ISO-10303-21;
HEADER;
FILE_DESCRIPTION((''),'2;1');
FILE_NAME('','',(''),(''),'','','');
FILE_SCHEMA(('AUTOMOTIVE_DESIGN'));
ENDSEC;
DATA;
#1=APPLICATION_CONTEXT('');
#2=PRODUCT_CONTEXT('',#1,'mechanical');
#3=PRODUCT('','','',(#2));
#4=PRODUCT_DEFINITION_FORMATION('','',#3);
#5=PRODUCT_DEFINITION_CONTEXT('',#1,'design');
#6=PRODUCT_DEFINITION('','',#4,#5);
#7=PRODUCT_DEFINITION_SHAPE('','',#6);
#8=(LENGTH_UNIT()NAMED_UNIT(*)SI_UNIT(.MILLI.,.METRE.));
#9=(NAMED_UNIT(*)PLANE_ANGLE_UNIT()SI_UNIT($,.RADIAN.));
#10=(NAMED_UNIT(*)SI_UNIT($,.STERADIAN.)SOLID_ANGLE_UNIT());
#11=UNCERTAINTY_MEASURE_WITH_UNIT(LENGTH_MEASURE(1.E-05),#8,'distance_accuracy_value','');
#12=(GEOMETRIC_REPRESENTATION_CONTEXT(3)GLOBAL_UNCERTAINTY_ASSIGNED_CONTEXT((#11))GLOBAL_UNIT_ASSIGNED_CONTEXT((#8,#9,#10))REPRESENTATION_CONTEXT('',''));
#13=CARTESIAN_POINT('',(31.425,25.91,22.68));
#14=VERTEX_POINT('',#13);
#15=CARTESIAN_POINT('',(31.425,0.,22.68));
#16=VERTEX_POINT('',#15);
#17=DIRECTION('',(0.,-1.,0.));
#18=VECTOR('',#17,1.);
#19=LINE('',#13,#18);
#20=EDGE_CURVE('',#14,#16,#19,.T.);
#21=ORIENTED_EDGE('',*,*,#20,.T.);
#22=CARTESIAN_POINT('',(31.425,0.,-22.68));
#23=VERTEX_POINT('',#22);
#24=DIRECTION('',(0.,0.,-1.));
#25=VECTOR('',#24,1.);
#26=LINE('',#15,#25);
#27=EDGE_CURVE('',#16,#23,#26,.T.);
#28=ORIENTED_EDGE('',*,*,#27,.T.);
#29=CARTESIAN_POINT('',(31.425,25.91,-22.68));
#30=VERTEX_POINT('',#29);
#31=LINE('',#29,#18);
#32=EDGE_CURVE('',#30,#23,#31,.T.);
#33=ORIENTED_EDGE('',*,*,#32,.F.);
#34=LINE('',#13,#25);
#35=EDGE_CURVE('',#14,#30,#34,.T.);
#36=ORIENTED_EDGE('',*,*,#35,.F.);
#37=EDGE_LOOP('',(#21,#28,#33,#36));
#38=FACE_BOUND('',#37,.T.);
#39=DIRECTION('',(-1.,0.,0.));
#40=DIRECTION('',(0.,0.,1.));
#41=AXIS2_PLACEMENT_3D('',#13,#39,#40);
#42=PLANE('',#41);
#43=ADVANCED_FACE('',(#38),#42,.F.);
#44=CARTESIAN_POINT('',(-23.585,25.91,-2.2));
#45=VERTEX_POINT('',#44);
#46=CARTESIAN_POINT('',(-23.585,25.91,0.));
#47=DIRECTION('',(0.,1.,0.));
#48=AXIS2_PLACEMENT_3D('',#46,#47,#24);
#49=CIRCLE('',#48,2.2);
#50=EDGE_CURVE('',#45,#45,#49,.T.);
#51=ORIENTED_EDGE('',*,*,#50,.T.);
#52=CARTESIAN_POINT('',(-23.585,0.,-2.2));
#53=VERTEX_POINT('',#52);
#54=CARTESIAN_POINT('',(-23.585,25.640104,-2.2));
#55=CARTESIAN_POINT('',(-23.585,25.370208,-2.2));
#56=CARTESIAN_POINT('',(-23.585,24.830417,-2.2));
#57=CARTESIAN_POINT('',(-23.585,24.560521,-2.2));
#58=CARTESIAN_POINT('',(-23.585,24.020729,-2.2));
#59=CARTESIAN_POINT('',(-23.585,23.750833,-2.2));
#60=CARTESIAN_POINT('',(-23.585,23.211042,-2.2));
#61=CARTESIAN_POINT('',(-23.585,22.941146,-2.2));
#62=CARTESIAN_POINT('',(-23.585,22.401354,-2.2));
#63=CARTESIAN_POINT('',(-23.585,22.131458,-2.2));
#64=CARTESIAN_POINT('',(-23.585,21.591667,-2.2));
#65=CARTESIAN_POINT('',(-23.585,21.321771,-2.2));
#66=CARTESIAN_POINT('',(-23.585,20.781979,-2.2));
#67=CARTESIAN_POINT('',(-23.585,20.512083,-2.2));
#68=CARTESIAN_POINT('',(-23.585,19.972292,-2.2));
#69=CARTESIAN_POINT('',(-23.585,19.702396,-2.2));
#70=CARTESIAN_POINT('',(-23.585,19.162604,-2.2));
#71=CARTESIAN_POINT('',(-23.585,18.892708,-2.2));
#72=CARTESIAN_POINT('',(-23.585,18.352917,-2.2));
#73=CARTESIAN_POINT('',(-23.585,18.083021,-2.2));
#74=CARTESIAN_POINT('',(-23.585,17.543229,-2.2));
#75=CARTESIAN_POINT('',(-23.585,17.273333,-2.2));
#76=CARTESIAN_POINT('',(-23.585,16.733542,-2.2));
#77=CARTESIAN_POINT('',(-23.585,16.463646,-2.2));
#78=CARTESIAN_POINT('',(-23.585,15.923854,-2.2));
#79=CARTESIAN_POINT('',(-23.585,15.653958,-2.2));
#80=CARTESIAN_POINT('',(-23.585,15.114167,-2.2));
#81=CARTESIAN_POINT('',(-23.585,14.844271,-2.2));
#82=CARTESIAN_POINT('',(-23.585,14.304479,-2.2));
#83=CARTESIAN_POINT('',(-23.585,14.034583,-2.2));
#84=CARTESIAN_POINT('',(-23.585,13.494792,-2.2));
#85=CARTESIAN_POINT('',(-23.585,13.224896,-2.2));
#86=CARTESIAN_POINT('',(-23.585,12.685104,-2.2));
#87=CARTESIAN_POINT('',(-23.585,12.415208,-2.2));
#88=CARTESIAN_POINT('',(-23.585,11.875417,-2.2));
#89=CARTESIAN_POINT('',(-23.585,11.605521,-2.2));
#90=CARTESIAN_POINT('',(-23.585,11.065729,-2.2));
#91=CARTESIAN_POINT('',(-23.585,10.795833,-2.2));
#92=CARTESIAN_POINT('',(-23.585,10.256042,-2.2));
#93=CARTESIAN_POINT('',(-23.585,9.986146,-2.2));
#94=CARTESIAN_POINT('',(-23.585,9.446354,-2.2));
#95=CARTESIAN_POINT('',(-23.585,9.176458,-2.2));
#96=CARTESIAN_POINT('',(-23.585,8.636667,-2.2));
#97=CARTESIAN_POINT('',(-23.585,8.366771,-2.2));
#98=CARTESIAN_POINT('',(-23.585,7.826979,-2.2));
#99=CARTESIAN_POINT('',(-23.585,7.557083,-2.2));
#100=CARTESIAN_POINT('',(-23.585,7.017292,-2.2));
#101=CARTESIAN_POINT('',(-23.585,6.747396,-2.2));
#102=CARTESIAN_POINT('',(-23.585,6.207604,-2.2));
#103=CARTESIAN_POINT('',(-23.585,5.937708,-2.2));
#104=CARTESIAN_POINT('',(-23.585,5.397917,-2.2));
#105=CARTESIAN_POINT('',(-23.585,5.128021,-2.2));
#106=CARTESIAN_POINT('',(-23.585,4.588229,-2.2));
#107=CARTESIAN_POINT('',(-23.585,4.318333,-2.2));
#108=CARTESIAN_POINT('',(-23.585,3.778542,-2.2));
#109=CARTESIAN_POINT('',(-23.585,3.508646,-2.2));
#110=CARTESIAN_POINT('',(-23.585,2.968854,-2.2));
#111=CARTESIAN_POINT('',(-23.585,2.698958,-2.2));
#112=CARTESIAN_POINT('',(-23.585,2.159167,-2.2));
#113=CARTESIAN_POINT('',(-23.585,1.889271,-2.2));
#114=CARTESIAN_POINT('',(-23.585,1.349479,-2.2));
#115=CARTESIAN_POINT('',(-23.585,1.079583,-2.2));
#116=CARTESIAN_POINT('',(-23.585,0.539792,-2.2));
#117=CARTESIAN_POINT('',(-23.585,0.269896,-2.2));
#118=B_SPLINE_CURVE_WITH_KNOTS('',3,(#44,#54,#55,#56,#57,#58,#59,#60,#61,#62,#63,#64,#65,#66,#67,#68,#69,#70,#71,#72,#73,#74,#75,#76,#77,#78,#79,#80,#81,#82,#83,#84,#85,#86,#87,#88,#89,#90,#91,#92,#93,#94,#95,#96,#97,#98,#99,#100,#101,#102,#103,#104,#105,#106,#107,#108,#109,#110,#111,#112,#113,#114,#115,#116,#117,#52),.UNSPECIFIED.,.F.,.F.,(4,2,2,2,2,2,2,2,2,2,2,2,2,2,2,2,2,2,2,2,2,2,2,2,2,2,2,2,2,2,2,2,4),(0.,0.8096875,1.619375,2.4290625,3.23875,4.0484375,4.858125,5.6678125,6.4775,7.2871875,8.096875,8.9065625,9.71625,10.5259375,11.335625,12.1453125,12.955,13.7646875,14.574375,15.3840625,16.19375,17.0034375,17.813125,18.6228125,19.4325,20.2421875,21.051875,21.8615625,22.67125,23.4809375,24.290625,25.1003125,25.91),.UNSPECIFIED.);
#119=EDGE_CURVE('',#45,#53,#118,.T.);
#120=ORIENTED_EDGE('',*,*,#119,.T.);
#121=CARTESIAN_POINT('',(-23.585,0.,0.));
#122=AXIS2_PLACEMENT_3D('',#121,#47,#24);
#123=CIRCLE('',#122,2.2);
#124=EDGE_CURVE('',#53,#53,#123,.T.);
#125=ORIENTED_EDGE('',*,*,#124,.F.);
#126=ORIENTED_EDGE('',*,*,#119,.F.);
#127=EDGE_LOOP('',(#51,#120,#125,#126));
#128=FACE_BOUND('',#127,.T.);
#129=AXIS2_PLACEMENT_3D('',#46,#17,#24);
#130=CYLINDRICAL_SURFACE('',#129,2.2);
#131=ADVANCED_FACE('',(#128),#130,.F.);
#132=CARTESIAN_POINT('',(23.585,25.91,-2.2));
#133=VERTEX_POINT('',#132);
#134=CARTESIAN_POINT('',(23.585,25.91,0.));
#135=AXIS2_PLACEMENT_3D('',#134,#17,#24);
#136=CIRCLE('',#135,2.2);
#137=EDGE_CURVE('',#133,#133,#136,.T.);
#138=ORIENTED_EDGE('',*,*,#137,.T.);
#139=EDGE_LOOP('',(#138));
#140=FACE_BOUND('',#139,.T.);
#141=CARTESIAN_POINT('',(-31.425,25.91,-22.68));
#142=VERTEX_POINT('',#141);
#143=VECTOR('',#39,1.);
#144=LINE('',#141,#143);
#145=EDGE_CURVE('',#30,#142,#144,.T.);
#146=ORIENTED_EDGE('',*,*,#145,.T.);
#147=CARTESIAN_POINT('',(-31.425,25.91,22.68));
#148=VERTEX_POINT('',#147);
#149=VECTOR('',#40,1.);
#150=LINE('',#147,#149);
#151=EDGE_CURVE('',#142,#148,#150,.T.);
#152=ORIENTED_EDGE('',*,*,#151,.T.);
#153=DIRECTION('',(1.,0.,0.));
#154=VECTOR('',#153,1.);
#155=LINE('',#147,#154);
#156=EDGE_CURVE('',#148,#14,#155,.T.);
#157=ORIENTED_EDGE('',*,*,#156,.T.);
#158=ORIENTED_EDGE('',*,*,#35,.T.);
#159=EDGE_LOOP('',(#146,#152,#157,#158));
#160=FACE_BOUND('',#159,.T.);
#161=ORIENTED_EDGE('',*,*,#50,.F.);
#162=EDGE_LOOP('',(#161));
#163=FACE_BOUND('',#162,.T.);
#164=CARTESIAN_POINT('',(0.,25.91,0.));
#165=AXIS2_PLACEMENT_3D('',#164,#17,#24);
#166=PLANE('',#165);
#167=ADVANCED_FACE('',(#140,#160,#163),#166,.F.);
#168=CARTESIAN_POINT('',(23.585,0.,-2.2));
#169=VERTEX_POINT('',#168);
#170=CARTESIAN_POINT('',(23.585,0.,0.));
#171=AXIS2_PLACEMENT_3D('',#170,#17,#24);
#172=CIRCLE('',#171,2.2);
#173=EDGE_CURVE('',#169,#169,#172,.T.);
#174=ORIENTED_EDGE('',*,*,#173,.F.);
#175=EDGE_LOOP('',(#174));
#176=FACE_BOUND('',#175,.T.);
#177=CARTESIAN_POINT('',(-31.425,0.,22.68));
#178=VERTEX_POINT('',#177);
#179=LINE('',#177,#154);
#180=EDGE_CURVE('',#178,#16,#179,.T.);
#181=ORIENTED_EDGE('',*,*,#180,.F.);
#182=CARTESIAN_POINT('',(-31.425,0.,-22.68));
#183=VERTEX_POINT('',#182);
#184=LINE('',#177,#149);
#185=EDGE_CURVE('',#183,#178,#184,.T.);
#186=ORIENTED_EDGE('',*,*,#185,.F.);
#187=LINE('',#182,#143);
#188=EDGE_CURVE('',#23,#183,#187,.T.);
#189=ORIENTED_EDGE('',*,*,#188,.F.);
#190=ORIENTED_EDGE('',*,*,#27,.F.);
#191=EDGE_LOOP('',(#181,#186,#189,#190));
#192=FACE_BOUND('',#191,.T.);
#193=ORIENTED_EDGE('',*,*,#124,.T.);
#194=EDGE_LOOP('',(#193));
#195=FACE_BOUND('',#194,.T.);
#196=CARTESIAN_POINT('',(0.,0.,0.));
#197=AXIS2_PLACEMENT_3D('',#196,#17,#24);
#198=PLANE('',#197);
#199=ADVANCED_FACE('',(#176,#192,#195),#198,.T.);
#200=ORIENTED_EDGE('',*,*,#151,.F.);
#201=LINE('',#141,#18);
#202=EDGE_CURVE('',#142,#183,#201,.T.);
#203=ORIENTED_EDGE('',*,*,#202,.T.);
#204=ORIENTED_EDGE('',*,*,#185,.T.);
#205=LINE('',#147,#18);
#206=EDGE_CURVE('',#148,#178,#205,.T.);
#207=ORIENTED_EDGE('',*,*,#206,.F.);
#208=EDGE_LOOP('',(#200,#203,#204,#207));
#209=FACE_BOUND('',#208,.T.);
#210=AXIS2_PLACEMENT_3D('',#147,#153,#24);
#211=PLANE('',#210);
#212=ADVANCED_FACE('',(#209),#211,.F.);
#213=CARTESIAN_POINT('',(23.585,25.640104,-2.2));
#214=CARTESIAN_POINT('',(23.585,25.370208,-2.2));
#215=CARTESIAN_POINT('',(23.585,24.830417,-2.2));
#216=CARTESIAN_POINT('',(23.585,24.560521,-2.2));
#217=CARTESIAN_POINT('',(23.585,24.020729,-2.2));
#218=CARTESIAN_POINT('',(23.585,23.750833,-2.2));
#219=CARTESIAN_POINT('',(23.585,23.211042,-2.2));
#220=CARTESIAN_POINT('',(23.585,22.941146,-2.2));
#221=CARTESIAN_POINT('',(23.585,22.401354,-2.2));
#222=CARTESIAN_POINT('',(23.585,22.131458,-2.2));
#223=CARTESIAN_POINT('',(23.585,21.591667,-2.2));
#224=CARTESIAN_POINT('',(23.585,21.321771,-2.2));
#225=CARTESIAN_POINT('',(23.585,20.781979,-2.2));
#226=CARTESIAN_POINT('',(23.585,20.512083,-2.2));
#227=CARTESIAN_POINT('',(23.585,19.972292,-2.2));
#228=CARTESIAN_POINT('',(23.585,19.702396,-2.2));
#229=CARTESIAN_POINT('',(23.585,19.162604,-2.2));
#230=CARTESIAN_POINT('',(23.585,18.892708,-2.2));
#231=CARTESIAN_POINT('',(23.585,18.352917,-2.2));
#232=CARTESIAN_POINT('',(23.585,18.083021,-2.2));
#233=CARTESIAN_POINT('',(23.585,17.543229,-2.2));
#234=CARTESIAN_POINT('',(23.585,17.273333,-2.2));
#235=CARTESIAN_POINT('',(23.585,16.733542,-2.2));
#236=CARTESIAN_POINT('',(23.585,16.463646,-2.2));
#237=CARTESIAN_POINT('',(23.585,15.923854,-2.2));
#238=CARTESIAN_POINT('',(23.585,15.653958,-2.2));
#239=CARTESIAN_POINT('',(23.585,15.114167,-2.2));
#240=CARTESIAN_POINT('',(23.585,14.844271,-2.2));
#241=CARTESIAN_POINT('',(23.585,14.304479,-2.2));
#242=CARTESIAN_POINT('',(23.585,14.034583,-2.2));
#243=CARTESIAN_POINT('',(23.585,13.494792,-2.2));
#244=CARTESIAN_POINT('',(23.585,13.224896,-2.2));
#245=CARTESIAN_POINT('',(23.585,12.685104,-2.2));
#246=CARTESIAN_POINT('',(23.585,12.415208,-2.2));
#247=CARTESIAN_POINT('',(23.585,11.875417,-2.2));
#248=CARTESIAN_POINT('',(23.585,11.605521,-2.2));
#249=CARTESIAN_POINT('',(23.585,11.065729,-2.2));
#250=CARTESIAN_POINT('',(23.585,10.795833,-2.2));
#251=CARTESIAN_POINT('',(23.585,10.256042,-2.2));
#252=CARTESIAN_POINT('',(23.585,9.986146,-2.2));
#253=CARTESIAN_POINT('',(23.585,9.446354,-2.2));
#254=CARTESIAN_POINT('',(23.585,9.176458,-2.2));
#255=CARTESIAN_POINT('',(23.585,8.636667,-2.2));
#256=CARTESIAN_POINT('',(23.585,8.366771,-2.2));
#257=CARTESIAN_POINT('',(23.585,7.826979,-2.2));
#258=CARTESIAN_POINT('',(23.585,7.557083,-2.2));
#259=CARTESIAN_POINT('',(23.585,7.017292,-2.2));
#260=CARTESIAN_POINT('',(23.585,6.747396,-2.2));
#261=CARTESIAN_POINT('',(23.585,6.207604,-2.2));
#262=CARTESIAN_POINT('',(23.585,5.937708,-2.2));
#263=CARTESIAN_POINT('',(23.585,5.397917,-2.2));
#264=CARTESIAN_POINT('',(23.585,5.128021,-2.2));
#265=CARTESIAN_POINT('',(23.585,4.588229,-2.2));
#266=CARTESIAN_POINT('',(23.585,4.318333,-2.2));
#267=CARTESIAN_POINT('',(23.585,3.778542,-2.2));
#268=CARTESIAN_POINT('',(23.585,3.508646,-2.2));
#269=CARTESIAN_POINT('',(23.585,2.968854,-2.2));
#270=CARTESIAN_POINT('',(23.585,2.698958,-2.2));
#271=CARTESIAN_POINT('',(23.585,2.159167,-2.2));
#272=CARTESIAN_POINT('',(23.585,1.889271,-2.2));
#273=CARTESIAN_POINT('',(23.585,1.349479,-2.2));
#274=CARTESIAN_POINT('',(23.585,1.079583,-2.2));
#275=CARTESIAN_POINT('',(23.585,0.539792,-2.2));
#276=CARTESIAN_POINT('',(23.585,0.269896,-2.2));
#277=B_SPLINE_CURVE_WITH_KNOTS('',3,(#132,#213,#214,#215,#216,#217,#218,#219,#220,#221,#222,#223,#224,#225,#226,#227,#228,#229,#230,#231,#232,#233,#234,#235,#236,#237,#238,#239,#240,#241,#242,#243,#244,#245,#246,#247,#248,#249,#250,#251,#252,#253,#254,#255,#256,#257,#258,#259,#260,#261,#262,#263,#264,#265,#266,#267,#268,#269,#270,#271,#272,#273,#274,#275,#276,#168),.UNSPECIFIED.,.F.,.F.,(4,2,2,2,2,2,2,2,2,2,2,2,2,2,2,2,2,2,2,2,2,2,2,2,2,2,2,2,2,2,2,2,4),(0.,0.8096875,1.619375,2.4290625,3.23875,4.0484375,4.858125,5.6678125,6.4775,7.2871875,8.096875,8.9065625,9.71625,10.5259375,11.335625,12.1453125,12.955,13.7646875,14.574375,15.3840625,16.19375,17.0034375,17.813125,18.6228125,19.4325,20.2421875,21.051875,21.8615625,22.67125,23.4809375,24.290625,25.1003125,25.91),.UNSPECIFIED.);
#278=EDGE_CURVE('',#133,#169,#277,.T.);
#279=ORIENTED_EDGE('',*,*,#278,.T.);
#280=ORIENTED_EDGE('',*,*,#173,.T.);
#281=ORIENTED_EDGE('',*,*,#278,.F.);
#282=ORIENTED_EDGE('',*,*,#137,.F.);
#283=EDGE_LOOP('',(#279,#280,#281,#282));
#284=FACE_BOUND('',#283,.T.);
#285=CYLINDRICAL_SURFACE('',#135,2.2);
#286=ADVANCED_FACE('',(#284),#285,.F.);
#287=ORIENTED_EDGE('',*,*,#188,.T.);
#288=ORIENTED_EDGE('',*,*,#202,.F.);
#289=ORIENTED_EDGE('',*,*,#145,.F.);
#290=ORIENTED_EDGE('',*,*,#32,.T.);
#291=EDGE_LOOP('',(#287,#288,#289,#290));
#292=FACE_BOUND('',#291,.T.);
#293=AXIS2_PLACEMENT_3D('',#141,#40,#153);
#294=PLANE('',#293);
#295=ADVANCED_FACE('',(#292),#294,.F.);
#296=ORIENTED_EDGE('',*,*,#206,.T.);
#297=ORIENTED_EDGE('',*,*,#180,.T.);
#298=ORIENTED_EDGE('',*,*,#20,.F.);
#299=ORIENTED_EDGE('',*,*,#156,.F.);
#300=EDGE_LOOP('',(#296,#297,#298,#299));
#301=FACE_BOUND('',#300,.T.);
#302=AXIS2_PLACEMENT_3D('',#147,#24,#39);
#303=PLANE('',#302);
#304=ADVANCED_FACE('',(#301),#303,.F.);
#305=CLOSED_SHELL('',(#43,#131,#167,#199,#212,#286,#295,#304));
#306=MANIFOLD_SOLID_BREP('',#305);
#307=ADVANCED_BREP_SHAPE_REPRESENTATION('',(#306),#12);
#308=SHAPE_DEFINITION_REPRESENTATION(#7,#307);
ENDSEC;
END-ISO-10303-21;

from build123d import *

# Parameters (mm, degrees)
SKETCH1_W           = 62.85
SKETCH1_H           = 45.36
BOSS_EXTRUDE1_DEPTH = 25.91
SKETCH2_R           = 2.2
CUT_EXTRUDE1_DEPTH  = 25.91


with BuildPart() as part:
    # Sketch1 → Boss-Extrude1 (new body)
    with BuildSketch(Plane(origin=(0, 0, 0), x_dir=(1, 0, 0), z_dir=(0, 1, 0))):
        Rectangle(SKETCH1_W, SKETCH1_H)
    extrude(amount=BOSS_EXTRUDE1_DEPTH)

    # Sketch2 → Cut-Extrude1 (cut)
    with BuildSketch(Plane.XZ):
        with Locations(Location((23.585, 0, 0), (0, 0, 270))):
            Circle(SKETCH2_R)
    cut_extrude1 = extrude(amount=-CUT_EXTRUDE1_DEPTH, mode=Mode.SUBTRACT)

    # Mirror1: Cut-Extrude1 across plane
    add(cut_extrude1.mirror(Plane(origin=(0, 0, 0), x_dir=(0, 0, 1), z_dir=(1, 0, 0))), mode=Mode.SUBTRACT)


solid = part.part
